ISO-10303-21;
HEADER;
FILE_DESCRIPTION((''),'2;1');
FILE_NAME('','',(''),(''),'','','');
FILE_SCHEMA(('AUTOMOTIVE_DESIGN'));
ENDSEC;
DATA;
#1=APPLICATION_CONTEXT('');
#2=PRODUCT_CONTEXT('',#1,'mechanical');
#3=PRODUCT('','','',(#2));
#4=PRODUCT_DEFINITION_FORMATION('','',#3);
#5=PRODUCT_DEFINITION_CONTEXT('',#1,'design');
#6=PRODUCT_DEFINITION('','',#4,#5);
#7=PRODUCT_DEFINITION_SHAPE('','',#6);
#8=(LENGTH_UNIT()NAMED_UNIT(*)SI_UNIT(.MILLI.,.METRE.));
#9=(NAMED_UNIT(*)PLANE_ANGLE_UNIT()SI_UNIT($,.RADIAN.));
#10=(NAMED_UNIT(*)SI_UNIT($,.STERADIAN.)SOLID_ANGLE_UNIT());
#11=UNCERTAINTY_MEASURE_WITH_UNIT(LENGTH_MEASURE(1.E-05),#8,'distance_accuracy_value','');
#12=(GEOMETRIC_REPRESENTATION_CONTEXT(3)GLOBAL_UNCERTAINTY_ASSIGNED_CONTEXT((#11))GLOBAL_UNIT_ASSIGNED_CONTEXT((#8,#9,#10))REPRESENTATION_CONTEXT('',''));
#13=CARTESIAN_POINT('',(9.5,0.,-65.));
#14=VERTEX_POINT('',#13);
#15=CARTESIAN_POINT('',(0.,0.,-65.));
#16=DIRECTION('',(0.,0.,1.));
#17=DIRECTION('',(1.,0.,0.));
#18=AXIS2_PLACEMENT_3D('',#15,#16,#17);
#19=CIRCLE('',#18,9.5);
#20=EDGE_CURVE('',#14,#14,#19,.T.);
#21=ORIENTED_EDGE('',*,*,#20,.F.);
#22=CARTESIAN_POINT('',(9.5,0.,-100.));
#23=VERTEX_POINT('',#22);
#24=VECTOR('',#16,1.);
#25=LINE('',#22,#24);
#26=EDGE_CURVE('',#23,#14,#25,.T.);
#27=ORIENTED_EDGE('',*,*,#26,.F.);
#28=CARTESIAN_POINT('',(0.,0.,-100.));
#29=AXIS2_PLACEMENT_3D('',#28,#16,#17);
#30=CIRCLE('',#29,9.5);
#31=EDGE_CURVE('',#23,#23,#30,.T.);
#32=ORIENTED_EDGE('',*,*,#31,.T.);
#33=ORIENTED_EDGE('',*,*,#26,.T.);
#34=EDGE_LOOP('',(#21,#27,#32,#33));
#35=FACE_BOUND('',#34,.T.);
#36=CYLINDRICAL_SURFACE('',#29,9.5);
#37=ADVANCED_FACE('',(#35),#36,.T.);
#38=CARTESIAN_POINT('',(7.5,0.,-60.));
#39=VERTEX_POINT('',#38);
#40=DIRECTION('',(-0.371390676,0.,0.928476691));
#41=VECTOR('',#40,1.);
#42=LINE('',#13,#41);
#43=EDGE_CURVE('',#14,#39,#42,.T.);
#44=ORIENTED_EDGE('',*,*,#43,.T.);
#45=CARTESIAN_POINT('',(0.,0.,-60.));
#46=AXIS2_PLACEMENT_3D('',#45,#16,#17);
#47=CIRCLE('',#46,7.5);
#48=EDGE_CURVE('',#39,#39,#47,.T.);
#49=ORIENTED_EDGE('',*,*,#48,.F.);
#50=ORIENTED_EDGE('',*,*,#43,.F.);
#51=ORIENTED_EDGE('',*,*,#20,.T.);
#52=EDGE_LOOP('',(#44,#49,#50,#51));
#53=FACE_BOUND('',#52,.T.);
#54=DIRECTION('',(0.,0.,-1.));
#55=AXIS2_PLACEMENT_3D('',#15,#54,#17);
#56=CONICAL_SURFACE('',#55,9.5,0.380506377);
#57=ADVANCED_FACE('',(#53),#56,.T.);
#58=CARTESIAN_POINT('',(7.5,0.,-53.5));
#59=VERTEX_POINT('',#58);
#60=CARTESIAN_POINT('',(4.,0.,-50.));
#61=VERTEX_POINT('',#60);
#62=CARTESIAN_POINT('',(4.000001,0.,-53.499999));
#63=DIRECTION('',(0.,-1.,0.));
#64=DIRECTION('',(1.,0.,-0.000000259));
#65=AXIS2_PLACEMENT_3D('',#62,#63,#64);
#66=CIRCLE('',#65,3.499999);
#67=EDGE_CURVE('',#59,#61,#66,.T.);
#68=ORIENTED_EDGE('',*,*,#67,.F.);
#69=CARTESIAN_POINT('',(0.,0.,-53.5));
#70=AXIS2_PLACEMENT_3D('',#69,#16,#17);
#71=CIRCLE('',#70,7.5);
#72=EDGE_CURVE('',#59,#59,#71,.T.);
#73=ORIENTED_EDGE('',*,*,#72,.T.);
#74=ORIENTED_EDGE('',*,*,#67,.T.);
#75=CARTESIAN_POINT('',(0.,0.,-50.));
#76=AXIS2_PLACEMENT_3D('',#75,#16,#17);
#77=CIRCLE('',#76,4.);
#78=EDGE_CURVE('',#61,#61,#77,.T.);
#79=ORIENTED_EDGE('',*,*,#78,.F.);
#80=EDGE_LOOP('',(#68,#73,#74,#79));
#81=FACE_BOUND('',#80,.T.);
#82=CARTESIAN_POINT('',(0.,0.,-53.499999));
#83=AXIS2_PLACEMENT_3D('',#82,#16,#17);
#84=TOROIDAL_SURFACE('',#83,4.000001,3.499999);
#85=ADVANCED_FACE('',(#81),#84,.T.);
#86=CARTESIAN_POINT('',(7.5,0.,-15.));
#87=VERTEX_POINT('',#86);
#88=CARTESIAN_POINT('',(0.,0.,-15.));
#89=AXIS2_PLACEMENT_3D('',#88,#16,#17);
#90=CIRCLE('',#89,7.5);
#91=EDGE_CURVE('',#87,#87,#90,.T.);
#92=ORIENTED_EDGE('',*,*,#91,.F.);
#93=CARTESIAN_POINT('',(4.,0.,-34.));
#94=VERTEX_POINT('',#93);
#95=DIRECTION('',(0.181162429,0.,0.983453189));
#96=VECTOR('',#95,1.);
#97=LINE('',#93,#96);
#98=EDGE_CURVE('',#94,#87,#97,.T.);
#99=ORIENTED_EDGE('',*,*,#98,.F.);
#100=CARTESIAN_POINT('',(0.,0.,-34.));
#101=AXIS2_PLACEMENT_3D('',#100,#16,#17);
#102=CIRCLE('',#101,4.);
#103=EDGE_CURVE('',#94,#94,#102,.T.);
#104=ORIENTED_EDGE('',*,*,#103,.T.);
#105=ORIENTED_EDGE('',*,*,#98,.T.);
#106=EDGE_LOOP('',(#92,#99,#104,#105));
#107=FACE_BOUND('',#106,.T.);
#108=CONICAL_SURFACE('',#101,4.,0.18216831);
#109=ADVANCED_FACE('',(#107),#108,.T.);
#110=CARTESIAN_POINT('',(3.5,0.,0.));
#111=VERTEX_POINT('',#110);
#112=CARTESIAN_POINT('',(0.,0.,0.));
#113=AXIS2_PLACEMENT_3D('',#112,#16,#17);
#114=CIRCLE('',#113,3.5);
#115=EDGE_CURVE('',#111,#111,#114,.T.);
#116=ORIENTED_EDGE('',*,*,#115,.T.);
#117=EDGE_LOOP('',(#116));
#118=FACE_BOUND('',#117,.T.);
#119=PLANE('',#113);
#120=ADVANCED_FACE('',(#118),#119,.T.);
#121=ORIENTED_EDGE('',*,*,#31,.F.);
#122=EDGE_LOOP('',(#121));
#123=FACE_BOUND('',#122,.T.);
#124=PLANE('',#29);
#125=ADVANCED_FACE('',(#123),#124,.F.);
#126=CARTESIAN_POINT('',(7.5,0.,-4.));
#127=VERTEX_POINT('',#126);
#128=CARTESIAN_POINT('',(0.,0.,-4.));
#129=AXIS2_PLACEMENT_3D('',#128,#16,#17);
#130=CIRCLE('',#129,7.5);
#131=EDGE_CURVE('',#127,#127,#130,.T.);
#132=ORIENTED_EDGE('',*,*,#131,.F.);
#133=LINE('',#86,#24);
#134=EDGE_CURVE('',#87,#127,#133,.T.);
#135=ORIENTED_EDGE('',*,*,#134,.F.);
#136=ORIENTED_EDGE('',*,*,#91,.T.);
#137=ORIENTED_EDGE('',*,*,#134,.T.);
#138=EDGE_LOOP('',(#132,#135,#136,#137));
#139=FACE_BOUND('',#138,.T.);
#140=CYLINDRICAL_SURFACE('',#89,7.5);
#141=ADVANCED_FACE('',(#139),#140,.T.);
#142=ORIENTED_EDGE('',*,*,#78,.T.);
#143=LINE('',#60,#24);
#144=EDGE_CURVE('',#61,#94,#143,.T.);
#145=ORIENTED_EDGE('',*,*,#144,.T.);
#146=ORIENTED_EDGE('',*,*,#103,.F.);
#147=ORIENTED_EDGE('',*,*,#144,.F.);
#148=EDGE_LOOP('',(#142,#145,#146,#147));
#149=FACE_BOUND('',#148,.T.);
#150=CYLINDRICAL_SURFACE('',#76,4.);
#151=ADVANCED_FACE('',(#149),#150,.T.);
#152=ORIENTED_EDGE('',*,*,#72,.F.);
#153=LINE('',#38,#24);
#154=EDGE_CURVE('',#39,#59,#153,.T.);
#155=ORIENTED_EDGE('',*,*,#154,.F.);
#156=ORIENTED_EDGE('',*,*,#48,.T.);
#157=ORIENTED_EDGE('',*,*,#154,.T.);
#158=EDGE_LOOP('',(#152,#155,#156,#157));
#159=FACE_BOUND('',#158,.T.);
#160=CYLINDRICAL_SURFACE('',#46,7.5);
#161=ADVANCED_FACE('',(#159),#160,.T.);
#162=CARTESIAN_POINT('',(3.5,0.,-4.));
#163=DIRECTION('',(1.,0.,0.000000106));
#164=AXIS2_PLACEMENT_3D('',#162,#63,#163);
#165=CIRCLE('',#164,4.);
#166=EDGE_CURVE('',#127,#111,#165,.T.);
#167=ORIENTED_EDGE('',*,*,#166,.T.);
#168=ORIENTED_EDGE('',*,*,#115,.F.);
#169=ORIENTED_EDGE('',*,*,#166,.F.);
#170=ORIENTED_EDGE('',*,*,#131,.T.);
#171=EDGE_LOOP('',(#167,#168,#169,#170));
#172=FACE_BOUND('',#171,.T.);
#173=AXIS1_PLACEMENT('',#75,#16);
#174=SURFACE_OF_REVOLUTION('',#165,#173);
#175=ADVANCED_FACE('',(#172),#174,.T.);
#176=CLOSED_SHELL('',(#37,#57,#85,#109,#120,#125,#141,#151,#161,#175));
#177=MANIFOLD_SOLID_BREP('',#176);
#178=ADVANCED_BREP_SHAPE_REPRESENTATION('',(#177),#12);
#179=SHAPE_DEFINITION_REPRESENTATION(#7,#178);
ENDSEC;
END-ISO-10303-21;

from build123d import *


with BuildPart() as f1:
    # F0 (on Front) → F1 (revolve)
    with BuildSketch(Plane.XZ):
        with BuildLine():
            Line((7.5, -15), (7.5, -4))
            ThreePointArc((7.5, -4), (6.328427, -1.171573), (3.5, 0))
            Line((3.5, 0), (0, 0))
            Line((0, 0), (0, -100))
            Line((0, -100), (9.5, -100))
            Line((9.5, -100), (9.5, -65))
            Line((9.5, -65), (7.5, -60))
            Line((7.5, -60), (7.5, -53.5))
            ThreePointArc((7.5, -53.5), (6.474874, -51.025126), (4, -50))
            Line((4, -50), (4, -34))
            Line((4, -34), (7.5, -15))
        make_face()
    revolve(axis=Axis((0, 0, -50), (0, 0, 1)))


solid = f1.part
